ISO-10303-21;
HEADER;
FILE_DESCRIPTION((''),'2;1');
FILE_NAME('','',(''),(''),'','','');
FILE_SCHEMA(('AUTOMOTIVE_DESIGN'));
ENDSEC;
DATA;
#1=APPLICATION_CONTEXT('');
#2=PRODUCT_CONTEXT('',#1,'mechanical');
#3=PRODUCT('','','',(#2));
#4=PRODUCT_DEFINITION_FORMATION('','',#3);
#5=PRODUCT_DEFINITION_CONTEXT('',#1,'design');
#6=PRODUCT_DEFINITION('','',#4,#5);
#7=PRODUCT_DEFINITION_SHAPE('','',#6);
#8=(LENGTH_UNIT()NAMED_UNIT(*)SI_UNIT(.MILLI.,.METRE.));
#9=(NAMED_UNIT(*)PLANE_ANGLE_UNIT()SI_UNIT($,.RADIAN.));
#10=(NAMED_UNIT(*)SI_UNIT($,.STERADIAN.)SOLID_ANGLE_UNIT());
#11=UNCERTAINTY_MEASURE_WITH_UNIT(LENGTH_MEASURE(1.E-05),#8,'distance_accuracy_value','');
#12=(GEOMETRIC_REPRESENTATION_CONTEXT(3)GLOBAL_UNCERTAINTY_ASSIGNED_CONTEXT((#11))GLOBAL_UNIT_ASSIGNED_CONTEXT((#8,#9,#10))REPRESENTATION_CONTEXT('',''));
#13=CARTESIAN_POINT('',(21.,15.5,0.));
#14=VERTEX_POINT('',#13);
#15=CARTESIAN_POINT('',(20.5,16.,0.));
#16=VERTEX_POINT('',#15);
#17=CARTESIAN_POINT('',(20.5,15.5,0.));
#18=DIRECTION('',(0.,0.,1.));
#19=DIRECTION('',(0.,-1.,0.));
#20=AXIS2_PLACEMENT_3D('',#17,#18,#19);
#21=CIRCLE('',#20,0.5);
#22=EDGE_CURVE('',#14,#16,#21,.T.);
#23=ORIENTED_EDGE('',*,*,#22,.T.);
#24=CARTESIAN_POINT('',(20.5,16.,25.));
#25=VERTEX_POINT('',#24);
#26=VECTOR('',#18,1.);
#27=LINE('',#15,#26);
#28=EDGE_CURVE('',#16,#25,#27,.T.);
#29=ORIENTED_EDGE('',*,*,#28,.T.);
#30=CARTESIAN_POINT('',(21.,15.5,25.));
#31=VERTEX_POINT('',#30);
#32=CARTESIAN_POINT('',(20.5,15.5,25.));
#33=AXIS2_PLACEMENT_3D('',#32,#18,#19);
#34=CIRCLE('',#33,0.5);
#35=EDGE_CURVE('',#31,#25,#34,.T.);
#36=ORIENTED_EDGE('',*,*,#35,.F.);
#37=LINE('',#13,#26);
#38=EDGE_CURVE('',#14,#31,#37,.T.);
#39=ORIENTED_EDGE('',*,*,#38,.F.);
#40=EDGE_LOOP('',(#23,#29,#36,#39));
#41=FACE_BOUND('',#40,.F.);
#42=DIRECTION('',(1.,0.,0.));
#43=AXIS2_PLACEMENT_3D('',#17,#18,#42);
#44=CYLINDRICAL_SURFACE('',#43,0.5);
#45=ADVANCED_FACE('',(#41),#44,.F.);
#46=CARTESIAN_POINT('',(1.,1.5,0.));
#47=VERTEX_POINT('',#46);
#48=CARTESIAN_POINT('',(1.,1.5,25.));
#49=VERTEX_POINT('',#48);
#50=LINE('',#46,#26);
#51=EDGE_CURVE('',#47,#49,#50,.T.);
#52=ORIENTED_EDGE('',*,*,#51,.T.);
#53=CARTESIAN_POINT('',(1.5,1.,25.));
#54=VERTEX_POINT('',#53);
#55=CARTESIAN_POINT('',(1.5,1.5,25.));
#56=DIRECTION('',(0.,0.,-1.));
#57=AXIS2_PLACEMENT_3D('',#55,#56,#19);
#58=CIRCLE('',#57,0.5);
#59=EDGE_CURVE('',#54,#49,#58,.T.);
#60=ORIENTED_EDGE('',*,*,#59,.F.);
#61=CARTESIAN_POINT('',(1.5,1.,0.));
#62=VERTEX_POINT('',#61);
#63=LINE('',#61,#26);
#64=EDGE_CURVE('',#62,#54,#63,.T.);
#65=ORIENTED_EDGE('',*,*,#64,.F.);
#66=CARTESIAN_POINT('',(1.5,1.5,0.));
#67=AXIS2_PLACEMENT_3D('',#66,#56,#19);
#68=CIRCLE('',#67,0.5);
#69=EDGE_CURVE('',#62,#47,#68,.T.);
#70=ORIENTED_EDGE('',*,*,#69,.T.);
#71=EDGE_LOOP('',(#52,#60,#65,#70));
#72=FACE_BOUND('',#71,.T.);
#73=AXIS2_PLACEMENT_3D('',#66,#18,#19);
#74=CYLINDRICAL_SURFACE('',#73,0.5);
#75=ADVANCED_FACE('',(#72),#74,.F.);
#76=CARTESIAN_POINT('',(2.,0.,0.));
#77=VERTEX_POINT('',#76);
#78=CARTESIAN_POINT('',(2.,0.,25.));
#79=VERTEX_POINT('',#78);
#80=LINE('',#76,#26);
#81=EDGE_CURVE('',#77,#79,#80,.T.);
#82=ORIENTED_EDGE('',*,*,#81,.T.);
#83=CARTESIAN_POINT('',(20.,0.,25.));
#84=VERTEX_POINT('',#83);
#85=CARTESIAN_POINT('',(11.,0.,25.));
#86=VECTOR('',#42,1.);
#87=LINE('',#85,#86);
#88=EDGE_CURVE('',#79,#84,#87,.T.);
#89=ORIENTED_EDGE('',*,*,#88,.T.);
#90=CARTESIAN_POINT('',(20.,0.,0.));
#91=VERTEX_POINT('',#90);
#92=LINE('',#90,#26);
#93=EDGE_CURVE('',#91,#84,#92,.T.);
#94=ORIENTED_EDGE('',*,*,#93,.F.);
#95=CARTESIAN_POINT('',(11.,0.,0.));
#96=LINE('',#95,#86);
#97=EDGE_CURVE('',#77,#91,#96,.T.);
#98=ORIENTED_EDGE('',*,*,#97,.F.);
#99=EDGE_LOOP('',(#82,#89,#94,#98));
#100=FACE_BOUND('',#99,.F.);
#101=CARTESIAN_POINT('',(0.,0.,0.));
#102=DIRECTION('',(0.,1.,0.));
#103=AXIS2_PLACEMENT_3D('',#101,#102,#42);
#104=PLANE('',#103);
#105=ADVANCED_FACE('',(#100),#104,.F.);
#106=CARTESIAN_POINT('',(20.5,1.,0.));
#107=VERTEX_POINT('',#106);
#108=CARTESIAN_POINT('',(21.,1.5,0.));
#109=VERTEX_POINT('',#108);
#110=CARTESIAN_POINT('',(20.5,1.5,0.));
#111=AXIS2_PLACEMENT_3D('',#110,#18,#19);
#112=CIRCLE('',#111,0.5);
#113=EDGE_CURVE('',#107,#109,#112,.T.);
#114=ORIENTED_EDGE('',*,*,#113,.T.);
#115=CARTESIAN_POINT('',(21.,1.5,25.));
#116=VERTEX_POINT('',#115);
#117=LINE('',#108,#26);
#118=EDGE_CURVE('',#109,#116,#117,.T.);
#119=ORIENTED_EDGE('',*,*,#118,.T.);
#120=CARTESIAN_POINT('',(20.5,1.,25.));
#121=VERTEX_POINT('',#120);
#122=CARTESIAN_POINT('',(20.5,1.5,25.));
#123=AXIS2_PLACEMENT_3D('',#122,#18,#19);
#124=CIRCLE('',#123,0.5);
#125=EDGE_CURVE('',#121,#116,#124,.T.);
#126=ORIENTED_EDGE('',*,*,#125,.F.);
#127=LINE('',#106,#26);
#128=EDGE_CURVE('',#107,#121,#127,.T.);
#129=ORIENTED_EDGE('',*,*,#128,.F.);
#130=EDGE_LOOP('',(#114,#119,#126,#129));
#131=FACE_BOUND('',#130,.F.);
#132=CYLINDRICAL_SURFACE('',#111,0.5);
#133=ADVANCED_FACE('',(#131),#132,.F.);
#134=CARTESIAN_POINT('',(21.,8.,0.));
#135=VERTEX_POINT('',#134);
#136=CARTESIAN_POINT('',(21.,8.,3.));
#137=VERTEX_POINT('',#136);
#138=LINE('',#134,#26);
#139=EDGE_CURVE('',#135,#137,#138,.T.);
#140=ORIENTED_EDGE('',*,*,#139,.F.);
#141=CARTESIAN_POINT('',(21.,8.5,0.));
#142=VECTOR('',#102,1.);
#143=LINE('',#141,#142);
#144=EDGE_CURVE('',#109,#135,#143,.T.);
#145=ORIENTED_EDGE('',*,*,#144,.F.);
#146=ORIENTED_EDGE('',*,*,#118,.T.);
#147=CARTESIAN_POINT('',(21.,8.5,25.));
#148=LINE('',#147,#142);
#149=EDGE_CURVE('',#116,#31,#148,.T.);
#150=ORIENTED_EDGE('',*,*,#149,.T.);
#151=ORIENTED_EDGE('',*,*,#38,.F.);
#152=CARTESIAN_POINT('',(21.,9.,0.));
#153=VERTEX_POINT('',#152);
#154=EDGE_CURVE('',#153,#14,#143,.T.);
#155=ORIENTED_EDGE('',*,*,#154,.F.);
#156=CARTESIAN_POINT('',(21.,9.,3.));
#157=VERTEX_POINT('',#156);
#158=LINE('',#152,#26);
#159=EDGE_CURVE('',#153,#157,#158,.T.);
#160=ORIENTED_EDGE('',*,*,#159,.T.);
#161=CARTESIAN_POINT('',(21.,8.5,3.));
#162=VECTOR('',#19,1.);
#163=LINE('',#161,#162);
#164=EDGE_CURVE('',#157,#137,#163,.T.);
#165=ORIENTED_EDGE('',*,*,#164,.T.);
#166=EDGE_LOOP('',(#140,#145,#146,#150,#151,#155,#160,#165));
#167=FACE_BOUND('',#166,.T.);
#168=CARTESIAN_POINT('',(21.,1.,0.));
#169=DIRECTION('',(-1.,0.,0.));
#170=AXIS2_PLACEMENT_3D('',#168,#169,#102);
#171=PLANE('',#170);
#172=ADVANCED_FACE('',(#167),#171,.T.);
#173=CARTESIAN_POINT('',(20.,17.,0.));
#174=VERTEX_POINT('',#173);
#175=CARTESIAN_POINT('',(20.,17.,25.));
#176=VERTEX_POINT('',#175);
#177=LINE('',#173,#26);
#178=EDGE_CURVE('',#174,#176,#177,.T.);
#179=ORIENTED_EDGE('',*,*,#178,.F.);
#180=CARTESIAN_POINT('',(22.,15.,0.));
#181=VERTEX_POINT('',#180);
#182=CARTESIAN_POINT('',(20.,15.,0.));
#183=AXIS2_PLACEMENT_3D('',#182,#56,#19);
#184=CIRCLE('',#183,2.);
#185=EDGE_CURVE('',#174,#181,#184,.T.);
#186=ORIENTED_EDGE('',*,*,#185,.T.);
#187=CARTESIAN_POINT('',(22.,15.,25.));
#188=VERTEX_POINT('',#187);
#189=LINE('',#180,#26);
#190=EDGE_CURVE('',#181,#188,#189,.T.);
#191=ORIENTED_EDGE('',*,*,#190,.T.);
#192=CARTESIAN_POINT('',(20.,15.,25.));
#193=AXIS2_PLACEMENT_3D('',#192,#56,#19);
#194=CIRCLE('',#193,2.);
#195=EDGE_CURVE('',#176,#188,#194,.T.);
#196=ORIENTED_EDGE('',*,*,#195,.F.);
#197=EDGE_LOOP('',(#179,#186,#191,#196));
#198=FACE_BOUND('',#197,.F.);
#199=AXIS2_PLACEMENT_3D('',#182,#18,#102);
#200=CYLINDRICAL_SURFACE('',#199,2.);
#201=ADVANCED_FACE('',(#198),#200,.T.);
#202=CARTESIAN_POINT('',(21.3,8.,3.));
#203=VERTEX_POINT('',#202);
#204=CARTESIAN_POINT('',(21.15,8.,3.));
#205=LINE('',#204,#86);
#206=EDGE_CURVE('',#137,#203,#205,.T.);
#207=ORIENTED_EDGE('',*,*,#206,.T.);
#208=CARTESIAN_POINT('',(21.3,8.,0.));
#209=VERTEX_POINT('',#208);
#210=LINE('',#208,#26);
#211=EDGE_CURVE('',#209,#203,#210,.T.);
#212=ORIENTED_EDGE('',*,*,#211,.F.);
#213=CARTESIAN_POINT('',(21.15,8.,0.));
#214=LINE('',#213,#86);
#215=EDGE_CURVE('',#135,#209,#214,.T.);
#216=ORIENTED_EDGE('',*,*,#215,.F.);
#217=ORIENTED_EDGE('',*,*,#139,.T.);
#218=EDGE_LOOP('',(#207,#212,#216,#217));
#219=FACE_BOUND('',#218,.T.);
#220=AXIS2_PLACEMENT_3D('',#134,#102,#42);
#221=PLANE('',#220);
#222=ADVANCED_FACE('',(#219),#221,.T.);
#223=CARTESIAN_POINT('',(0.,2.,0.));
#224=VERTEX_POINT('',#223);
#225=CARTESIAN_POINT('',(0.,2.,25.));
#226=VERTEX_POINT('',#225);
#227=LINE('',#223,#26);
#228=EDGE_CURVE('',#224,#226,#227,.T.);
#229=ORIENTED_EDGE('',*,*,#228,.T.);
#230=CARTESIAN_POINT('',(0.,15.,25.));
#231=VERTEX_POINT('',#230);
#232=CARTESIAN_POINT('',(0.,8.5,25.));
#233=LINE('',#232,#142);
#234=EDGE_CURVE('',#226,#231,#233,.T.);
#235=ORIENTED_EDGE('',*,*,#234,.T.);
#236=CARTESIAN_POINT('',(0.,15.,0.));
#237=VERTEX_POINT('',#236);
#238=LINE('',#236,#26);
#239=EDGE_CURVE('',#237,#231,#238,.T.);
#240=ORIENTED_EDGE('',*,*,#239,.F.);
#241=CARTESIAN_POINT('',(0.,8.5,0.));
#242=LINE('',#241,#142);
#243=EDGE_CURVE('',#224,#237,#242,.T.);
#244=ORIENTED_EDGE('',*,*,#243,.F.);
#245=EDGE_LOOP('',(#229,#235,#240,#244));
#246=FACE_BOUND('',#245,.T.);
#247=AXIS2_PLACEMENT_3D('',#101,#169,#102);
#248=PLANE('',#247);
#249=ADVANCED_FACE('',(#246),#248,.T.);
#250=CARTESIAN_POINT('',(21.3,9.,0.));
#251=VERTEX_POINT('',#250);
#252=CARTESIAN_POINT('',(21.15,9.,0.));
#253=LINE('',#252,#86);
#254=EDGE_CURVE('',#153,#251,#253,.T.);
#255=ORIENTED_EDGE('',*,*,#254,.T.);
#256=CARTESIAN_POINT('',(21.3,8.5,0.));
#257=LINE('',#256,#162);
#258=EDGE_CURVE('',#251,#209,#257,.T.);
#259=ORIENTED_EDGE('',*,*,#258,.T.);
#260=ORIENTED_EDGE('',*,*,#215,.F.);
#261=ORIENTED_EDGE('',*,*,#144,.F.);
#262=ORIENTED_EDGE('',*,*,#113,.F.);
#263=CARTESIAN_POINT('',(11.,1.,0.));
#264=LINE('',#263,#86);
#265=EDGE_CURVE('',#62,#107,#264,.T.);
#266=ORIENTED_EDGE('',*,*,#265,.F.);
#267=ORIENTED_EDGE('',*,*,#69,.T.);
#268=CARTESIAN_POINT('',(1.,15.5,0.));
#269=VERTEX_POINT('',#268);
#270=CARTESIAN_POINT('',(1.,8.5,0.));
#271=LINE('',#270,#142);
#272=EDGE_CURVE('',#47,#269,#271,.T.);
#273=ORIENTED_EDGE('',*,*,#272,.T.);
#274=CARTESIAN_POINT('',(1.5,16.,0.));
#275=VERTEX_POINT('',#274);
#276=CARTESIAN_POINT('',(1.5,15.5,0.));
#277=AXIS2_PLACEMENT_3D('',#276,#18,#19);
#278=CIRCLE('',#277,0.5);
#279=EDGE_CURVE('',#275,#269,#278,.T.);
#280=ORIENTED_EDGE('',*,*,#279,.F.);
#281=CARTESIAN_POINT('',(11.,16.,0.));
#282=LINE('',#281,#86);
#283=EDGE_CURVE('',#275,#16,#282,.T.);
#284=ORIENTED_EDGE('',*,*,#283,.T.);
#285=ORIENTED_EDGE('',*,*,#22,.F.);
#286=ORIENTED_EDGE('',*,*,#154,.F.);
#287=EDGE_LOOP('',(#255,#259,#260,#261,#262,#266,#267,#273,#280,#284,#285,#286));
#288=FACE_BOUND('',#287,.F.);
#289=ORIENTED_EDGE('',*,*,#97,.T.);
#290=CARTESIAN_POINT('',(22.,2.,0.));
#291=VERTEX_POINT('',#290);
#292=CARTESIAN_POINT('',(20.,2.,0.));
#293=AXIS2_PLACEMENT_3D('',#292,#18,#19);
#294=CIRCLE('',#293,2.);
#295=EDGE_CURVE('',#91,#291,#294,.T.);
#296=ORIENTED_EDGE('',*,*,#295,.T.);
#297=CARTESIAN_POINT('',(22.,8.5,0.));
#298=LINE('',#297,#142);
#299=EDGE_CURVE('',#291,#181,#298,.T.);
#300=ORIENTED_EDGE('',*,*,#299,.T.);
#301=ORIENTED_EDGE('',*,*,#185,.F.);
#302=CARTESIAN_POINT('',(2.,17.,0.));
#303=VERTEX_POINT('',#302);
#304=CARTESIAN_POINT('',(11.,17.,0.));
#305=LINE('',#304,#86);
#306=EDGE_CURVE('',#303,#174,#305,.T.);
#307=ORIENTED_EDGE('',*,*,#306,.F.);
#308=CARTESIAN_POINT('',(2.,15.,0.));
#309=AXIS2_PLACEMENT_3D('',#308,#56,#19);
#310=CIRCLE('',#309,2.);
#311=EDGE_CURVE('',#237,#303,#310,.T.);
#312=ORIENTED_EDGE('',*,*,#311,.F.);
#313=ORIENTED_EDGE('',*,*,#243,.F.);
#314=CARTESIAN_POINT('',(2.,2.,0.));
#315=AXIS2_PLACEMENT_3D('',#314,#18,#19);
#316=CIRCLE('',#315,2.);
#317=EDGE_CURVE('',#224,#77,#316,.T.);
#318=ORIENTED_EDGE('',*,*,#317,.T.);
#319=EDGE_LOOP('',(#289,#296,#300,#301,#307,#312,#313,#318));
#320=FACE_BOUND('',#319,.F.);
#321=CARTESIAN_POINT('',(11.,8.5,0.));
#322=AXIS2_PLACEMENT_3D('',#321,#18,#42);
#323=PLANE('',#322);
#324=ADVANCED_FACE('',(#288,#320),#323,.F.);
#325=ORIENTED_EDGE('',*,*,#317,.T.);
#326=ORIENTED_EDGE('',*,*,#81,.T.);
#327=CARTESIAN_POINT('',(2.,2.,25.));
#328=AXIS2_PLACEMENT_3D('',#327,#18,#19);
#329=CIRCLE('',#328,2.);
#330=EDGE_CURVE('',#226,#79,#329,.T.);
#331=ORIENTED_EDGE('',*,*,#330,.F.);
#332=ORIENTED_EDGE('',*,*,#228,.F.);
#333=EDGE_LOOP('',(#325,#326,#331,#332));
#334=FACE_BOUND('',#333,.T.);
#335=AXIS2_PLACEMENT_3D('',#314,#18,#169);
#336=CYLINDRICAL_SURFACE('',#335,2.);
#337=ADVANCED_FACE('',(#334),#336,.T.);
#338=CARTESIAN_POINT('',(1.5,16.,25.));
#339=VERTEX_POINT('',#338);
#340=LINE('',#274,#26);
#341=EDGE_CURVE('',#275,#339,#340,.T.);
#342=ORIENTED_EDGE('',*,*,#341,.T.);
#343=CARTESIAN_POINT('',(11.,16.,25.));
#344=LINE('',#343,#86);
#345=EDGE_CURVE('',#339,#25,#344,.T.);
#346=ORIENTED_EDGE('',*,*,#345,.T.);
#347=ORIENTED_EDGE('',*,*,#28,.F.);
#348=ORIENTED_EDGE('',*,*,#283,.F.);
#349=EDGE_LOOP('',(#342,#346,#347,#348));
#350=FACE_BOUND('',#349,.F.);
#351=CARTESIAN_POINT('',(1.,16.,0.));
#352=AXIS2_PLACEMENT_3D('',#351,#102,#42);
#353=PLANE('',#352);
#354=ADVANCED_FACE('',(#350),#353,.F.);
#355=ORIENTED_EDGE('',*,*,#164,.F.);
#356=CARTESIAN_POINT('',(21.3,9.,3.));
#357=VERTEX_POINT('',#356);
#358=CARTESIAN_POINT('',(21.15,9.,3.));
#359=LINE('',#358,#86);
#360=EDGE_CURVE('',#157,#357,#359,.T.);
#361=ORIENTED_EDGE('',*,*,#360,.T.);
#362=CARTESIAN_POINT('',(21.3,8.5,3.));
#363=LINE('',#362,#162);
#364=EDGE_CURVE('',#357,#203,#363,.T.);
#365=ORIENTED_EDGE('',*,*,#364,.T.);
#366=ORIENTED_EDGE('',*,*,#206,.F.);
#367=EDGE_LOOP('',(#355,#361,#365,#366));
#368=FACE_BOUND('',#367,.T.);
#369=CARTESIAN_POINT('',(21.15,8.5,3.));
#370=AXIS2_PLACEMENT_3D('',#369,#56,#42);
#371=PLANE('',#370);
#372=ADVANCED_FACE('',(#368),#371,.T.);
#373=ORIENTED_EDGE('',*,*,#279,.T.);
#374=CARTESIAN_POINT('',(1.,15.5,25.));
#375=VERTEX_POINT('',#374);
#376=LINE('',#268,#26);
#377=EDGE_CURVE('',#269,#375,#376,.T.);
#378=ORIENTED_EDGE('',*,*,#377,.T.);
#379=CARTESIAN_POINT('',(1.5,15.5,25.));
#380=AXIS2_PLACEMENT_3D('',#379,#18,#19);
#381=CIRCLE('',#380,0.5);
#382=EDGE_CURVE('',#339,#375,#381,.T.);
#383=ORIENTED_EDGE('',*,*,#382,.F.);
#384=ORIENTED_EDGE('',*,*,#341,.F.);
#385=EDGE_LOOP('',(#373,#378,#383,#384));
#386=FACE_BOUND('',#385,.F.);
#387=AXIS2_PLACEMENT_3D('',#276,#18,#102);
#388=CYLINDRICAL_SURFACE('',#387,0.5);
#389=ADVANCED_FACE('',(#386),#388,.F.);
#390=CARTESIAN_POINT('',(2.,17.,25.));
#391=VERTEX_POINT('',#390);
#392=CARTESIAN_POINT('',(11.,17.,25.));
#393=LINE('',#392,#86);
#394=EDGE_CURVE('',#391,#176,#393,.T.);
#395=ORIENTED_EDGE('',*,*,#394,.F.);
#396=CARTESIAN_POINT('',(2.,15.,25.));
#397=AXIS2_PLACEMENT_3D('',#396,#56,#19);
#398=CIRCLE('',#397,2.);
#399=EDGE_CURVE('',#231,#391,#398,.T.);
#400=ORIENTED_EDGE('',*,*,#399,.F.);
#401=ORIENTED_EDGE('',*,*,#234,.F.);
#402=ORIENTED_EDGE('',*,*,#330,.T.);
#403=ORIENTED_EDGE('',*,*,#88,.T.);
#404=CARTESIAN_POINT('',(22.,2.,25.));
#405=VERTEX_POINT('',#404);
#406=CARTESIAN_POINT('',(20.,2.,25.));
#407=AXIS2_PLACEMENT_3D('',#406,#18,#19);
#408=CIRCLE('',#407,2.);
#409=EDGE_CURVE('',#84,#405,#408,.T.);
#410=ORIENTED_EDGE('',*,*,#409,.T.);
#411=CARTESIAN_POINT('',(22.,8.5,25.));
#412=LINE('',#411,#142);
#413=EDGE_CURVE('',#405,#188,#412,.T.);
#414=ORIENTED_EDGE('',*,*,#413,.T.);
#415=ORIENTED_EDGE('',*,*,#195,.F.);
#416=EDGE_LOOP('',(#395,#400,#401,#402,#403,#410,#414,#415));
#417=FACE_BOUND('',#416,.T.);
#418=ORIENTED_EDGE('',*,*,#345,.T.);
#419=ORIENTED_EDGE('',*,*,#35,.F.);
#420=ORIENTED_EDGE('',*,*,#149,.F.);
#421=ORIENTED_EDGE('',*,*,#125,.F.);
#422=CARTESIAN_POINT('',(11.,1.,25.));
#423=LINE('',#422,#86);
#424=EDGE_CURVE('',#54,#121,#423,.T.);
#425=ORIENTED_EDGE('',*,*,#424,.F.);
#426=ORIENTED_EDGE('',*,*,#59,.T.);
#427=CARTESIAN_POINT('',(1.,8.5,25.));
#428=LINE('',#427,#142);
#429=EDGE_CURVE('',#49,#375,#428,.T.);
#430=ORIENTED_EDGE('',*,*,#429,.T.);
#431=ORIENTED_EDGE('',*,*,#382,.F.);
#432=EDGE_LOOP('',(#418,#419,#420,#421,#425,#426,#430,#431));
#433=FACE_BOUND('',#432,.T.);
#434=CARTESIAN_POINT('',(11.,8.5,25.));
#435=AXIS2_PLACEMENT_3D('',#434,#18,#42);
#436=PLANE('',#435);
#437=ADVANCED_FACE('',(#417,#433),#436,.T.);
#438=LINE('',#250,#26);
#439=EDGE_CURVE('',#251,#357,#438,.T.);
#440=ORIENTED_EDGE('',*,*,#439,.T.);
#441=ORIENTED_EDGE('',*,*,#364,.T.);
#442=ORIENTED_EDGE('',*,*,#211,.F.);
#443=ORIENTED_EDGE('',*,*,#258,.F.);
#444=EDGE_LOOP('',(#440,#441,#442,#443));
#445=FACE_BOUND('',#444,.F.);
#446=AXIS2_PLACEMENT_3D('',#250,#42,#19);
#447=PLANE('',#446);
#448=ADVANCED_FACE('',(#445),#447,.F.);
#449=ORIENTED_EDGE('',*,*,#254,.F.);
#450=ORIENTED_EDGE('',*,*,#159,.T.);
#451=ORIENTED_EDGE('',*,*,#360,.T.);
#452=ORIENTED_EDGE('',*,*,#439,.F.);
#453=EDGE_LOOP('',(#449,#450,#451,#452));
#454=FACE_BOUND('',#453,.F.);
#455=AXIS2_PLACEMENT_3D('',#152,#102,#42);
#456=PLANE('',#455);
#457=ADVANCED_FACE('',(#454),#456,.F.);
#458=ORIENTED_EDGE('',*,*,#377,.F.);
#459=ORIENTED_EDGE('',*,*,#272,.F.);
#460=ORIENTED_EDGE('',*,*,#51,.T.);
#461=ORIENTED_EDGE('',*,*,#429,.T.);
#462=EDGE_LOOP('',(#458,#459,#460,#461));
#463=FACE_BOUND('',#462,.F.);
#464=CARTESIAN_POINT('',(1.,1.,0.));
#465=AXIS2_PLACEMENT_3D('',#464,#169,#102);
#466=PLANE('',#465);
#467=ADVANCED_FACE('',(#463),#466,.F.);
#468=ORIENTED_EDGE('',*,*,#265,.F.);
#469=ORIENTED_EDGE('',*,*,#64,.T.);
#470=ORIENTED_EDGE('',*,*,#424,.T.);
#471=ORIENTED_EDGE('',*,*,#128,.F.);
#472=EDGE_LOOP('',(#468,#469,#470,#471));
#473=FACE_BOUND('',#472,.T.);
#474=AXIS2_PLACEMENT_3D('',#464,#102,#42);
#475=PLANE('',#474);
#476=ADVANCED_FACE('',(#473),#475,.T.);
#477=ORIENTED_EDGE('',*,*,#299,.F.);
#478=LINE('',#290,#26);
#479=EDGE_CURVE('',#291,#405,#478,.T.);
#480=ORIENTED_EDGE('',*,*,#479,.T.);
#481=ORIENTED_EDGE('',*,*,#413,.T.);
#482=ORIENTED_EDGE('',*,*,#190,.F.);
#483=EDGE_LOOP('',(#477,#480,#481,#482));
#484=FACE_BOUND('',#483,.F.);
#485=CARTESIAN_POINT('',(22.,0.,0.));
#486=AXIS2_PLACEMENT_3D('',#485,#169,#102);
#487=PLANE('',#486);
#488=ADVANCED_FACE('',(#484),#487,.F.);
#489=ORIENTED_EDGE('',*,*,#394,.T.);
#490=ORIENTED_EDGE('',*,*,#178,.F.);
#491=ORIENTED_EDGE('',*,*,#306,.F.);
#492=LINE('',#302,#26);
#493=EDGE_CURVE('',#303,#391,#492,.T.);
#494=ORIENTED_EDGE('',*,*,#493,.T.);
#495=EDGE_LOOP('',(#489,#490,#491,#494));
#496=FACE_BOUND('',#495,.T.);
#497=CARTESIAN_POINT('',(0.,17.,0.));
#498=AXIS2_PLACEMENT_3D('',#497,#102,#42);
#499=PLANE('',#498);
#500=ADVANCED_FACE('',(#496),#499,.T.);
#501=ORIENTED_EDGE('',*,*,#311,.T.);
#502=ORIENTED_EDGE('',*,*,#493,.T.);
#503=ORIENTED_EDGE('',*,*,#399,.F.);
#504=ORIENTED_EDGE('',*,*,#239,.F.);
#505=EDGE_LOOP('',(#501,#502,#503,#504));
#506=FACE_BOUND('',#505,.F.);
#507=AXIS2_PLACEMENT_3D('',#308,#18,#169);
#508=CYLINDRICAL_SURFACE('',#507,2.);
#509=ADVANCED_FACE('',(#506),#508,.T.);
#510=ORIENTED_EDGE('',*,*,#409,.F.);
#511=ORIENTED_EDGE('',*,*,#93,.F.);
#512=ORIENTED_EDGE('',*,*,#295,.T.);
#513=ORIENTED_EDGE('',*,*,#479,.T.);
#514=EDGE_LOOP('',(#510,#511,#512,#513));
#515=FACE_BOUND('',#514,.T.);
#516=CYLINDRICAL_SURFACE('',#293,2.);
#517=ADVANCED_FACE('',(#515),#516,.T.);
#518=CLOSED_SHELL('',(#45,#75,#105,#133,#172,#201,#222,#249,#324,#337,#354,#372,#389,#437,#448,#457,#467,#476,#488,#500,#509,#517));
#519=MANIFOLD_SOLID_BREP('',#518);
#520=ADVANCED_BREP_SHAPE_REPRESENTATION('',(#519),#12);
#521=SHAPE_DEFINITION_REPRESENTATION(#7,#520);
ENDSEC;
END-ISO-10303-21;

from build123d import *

# Parameters (mm, degrees)
F0_W     = 22
F0_H     = 17
F0_W_2   = 20
F0_H_2   = 15
F1_DEPTH = 25
F2_R     = 2
F3_W     = 0.3
F3_H     = 1
F4_DEPTH = 3
F5_R     = 0.5


with BuildPart() as f1:
    # F0 (on Top) → F1 (new body)
    with BuildSketch(Plane.XY):
        with Locations((11, 8.5)):
            Rectangle(F0_W, F0_H)
        with Locations((11, 8.5)):
            Rectangle(F0_W_2, F0_H_2, mode=Mode.SUBTRACT)
    extrude(amount=F1_DEPTH)

    # F2
    f2_edges = [f1.edges().sort_by_distance(p)[0] for p in [
        (0, 17, 12.5),
        (0, 0, 12.5),
        (22, 0, 12.5),
        (22, 17, 12.5),
    ]]
    fillet(f2_edges, radius=F2_R)

    # F3 (on face) → F4 (cut)
    with BuildSketch(Plane(origin=(0, 0, 0), x_dir=(1, 0, 0), z_dir=(0, 0, -1))):
        with Locations((21.15, -8.5)):
            Rectangle(F3_W, F3_H)
    extrude(amount=-F4_DEPTH, mode=Mode.SUBTRACT)

    # F5
    f5_edges = [f1.edges().sort_by_distance(p)[0] for p in [
        (21, 1, 12.5),
        (1, 1, 12.5),
        (1, 16, 12.5),
        (21, 16, 12.5),
    ]]
    fillet(f5_edges, radius=F5_R)


solid = f1.part
